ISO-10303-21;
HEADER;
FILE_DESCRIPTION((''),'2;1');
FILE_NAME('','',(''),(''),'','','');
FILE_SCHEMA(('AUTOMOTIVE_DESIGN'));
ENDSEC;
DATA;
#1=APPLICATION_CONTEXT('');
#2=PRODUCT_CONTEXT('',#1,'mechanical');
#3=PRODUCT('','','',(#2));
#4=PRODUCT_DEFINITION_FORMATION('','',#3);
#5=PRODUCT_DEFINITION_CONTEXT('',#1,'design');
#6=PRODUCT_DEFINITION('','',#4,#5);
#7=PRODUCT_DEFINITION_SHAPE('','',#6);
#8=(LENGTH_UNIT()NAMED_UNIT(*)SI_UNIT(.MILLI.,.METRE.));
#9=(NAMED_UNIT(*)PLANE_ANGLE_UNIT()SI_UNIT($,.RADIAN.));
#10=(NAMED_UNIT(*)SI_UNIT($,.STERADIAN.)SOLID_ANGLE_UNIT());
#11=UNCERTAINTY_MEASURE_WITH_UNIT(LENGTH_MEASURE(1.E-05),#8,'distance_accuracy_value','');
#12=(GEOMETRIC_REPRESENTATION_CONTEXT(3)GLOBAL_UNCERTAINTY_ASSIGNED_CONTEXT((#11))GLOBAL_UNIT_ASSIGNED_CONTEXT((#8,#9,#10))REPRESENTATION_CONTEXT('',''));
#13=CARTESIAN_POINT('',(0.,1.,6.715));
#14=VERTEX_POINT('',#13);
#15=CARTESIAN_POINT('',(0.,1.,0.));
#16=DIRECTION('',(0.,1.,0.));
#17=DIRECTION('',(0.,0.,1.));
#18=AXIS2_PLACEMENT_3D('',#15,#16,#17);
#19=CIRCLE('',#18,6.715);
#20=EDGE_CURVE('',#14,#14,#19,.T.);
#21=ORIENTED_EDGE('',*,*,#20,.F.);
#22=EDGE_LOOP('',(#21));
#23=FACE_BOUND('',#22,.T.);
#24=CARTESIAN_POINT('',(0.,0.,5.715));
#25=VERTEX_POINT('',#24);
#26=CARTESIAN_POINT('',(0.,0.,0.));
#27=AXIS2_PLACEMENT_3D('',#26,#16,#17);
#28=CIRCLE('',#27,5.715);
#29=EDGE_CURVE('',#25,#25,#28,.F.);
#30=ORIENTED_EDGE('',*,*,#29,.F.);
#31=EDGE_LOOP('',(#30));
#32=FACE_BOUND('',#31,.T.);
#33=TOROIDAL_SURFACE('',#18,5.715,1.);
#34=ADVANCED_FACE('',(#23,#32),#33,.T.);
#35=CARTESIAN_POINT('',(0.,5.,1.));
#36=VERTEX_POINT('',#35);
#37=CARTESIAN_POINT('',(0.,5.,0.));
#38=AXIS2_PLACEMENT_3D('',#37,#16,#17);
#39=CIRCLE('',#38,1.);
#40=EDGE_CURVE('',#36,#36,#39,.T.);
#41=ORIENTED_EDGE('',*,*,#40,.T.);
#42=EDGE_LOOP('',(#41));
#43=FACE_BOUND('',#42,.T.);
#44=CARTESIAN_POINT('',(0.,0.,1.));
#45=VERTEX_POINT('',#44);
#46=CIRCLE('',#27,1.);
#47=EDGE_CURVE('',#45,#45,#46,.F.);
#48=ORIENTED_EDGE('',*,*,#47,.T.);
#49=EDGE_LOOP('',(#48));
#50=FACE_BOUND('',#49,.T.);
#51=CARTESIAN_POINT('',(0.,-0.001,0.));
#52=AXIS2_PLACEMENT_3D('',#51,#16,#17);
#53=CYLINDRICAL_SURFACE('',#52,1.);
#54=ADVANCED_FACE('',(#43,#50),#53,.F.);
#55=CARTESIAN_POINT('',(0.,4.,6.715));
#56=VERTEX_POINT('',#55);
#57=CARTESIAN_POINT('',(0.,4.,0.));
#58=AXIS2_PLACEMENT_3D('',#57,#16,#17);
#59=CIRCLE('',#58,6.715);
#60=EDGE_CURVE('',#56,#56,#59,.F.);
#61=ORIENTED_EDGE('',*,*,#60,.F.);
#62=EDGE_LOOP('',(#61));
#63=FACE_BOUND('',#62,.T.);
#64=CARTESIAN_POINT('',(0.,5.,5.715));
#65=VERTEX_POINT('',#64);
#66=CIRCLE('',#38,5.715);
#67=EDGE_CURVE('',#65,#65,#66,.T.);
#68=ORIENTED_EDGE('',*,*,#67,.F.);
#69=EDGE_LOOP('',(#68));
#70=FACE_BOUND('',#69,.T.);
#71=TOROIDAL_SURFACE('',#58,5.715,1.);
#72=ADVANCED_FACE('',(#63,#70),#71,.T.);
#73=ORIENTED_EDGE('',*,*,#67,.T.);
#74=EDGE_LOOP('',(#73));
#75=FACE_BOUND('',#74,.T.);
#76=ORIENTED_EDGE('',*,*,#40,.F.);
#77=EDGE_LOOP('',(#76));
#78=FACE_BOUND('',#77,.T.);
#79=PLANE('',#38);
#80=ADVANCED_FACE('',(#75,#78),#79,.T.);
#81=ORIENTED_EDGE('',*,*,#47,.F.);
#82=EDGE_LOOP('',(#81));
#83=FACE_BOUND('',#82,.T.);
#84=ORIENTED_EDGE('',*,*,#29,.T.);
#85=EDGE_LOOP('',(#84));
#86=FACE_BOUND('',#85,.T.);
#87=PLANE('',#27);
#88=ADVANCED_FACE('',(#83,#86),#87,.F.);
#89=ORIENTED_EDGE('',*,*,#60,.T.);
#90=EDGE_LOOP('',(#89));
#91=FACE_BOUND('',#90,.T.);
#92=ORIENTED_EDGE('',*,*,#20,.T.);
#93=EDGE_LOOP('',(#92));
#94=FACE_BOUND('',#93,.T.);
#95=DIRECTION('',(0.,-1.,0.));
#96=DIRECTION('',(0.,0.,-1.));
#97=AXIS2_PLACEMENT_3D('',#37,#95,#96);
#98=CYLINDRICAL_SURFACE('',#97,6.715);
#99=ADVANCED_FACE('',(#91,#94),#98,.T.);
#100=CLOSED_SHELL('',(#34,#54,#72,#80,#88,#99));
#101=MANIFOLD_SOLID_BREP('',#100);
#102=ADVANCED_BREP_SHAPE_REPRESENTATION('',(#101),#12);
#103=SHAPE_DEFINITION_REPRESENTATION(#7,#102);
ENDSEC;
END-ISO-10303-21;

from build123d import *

# Parameters (mm, degrees)
SKETCH1_R           = 6.715
BOSS_EXTRUDE1_DEPTH = 5
FILLET1_R           = 1
CUT_EXTRUDE1_REACH  = 12.732
SKETCH2_R           = 1


with BuildPart() as part:
    # Sketch1 → Boss-Extrude1 (new body)
    with BuildSketch(Plane(origin=(0, 0, 0), x_dir=(1, 0, 0), z_dir=(0, 1, 0))):
        with Locations(Location((0, 0, 0), (0, 0, 270))):
            Circle(SKETCH1_R)
    extrude(amount=BOSS_EXTRUDE1_DEPTH)

    # Fillet1
    fillet1_edges = [part.edges().sort_by_distance(p)[0] for p in [
        (0, 0, -6.715),
        (0, 5, -6.715),
    ]]
    fillet(fillet1_edges, radius=FILLET1_R)

    # Sketch2 → Cut-Extrude1 (cut, up to next)
    with BuildSketch(Plane(origin=(0, 5, 0), x_dir=(1, 0, 0), z_dir=(0, 1, 0)), mode=Mode.PRIVATE) as cut_extrude1_sk1:
        with Locations(Location((0, 0, 0), (0, 0, 270))):
            Circle(SKETCH2_R)
    cut_extrude1_tool1 = extrude(cut_extrude1_sk1.sketch, amount=-CUT_EXTRUDE1_REACH, mode=Mode.PRIVATE) & part.part
    add(cut_extrude1_tool1.solids().sort_by_distance((0, 5, 0))[0], mode=Mode.SUBTRACT)


solid = part.part
